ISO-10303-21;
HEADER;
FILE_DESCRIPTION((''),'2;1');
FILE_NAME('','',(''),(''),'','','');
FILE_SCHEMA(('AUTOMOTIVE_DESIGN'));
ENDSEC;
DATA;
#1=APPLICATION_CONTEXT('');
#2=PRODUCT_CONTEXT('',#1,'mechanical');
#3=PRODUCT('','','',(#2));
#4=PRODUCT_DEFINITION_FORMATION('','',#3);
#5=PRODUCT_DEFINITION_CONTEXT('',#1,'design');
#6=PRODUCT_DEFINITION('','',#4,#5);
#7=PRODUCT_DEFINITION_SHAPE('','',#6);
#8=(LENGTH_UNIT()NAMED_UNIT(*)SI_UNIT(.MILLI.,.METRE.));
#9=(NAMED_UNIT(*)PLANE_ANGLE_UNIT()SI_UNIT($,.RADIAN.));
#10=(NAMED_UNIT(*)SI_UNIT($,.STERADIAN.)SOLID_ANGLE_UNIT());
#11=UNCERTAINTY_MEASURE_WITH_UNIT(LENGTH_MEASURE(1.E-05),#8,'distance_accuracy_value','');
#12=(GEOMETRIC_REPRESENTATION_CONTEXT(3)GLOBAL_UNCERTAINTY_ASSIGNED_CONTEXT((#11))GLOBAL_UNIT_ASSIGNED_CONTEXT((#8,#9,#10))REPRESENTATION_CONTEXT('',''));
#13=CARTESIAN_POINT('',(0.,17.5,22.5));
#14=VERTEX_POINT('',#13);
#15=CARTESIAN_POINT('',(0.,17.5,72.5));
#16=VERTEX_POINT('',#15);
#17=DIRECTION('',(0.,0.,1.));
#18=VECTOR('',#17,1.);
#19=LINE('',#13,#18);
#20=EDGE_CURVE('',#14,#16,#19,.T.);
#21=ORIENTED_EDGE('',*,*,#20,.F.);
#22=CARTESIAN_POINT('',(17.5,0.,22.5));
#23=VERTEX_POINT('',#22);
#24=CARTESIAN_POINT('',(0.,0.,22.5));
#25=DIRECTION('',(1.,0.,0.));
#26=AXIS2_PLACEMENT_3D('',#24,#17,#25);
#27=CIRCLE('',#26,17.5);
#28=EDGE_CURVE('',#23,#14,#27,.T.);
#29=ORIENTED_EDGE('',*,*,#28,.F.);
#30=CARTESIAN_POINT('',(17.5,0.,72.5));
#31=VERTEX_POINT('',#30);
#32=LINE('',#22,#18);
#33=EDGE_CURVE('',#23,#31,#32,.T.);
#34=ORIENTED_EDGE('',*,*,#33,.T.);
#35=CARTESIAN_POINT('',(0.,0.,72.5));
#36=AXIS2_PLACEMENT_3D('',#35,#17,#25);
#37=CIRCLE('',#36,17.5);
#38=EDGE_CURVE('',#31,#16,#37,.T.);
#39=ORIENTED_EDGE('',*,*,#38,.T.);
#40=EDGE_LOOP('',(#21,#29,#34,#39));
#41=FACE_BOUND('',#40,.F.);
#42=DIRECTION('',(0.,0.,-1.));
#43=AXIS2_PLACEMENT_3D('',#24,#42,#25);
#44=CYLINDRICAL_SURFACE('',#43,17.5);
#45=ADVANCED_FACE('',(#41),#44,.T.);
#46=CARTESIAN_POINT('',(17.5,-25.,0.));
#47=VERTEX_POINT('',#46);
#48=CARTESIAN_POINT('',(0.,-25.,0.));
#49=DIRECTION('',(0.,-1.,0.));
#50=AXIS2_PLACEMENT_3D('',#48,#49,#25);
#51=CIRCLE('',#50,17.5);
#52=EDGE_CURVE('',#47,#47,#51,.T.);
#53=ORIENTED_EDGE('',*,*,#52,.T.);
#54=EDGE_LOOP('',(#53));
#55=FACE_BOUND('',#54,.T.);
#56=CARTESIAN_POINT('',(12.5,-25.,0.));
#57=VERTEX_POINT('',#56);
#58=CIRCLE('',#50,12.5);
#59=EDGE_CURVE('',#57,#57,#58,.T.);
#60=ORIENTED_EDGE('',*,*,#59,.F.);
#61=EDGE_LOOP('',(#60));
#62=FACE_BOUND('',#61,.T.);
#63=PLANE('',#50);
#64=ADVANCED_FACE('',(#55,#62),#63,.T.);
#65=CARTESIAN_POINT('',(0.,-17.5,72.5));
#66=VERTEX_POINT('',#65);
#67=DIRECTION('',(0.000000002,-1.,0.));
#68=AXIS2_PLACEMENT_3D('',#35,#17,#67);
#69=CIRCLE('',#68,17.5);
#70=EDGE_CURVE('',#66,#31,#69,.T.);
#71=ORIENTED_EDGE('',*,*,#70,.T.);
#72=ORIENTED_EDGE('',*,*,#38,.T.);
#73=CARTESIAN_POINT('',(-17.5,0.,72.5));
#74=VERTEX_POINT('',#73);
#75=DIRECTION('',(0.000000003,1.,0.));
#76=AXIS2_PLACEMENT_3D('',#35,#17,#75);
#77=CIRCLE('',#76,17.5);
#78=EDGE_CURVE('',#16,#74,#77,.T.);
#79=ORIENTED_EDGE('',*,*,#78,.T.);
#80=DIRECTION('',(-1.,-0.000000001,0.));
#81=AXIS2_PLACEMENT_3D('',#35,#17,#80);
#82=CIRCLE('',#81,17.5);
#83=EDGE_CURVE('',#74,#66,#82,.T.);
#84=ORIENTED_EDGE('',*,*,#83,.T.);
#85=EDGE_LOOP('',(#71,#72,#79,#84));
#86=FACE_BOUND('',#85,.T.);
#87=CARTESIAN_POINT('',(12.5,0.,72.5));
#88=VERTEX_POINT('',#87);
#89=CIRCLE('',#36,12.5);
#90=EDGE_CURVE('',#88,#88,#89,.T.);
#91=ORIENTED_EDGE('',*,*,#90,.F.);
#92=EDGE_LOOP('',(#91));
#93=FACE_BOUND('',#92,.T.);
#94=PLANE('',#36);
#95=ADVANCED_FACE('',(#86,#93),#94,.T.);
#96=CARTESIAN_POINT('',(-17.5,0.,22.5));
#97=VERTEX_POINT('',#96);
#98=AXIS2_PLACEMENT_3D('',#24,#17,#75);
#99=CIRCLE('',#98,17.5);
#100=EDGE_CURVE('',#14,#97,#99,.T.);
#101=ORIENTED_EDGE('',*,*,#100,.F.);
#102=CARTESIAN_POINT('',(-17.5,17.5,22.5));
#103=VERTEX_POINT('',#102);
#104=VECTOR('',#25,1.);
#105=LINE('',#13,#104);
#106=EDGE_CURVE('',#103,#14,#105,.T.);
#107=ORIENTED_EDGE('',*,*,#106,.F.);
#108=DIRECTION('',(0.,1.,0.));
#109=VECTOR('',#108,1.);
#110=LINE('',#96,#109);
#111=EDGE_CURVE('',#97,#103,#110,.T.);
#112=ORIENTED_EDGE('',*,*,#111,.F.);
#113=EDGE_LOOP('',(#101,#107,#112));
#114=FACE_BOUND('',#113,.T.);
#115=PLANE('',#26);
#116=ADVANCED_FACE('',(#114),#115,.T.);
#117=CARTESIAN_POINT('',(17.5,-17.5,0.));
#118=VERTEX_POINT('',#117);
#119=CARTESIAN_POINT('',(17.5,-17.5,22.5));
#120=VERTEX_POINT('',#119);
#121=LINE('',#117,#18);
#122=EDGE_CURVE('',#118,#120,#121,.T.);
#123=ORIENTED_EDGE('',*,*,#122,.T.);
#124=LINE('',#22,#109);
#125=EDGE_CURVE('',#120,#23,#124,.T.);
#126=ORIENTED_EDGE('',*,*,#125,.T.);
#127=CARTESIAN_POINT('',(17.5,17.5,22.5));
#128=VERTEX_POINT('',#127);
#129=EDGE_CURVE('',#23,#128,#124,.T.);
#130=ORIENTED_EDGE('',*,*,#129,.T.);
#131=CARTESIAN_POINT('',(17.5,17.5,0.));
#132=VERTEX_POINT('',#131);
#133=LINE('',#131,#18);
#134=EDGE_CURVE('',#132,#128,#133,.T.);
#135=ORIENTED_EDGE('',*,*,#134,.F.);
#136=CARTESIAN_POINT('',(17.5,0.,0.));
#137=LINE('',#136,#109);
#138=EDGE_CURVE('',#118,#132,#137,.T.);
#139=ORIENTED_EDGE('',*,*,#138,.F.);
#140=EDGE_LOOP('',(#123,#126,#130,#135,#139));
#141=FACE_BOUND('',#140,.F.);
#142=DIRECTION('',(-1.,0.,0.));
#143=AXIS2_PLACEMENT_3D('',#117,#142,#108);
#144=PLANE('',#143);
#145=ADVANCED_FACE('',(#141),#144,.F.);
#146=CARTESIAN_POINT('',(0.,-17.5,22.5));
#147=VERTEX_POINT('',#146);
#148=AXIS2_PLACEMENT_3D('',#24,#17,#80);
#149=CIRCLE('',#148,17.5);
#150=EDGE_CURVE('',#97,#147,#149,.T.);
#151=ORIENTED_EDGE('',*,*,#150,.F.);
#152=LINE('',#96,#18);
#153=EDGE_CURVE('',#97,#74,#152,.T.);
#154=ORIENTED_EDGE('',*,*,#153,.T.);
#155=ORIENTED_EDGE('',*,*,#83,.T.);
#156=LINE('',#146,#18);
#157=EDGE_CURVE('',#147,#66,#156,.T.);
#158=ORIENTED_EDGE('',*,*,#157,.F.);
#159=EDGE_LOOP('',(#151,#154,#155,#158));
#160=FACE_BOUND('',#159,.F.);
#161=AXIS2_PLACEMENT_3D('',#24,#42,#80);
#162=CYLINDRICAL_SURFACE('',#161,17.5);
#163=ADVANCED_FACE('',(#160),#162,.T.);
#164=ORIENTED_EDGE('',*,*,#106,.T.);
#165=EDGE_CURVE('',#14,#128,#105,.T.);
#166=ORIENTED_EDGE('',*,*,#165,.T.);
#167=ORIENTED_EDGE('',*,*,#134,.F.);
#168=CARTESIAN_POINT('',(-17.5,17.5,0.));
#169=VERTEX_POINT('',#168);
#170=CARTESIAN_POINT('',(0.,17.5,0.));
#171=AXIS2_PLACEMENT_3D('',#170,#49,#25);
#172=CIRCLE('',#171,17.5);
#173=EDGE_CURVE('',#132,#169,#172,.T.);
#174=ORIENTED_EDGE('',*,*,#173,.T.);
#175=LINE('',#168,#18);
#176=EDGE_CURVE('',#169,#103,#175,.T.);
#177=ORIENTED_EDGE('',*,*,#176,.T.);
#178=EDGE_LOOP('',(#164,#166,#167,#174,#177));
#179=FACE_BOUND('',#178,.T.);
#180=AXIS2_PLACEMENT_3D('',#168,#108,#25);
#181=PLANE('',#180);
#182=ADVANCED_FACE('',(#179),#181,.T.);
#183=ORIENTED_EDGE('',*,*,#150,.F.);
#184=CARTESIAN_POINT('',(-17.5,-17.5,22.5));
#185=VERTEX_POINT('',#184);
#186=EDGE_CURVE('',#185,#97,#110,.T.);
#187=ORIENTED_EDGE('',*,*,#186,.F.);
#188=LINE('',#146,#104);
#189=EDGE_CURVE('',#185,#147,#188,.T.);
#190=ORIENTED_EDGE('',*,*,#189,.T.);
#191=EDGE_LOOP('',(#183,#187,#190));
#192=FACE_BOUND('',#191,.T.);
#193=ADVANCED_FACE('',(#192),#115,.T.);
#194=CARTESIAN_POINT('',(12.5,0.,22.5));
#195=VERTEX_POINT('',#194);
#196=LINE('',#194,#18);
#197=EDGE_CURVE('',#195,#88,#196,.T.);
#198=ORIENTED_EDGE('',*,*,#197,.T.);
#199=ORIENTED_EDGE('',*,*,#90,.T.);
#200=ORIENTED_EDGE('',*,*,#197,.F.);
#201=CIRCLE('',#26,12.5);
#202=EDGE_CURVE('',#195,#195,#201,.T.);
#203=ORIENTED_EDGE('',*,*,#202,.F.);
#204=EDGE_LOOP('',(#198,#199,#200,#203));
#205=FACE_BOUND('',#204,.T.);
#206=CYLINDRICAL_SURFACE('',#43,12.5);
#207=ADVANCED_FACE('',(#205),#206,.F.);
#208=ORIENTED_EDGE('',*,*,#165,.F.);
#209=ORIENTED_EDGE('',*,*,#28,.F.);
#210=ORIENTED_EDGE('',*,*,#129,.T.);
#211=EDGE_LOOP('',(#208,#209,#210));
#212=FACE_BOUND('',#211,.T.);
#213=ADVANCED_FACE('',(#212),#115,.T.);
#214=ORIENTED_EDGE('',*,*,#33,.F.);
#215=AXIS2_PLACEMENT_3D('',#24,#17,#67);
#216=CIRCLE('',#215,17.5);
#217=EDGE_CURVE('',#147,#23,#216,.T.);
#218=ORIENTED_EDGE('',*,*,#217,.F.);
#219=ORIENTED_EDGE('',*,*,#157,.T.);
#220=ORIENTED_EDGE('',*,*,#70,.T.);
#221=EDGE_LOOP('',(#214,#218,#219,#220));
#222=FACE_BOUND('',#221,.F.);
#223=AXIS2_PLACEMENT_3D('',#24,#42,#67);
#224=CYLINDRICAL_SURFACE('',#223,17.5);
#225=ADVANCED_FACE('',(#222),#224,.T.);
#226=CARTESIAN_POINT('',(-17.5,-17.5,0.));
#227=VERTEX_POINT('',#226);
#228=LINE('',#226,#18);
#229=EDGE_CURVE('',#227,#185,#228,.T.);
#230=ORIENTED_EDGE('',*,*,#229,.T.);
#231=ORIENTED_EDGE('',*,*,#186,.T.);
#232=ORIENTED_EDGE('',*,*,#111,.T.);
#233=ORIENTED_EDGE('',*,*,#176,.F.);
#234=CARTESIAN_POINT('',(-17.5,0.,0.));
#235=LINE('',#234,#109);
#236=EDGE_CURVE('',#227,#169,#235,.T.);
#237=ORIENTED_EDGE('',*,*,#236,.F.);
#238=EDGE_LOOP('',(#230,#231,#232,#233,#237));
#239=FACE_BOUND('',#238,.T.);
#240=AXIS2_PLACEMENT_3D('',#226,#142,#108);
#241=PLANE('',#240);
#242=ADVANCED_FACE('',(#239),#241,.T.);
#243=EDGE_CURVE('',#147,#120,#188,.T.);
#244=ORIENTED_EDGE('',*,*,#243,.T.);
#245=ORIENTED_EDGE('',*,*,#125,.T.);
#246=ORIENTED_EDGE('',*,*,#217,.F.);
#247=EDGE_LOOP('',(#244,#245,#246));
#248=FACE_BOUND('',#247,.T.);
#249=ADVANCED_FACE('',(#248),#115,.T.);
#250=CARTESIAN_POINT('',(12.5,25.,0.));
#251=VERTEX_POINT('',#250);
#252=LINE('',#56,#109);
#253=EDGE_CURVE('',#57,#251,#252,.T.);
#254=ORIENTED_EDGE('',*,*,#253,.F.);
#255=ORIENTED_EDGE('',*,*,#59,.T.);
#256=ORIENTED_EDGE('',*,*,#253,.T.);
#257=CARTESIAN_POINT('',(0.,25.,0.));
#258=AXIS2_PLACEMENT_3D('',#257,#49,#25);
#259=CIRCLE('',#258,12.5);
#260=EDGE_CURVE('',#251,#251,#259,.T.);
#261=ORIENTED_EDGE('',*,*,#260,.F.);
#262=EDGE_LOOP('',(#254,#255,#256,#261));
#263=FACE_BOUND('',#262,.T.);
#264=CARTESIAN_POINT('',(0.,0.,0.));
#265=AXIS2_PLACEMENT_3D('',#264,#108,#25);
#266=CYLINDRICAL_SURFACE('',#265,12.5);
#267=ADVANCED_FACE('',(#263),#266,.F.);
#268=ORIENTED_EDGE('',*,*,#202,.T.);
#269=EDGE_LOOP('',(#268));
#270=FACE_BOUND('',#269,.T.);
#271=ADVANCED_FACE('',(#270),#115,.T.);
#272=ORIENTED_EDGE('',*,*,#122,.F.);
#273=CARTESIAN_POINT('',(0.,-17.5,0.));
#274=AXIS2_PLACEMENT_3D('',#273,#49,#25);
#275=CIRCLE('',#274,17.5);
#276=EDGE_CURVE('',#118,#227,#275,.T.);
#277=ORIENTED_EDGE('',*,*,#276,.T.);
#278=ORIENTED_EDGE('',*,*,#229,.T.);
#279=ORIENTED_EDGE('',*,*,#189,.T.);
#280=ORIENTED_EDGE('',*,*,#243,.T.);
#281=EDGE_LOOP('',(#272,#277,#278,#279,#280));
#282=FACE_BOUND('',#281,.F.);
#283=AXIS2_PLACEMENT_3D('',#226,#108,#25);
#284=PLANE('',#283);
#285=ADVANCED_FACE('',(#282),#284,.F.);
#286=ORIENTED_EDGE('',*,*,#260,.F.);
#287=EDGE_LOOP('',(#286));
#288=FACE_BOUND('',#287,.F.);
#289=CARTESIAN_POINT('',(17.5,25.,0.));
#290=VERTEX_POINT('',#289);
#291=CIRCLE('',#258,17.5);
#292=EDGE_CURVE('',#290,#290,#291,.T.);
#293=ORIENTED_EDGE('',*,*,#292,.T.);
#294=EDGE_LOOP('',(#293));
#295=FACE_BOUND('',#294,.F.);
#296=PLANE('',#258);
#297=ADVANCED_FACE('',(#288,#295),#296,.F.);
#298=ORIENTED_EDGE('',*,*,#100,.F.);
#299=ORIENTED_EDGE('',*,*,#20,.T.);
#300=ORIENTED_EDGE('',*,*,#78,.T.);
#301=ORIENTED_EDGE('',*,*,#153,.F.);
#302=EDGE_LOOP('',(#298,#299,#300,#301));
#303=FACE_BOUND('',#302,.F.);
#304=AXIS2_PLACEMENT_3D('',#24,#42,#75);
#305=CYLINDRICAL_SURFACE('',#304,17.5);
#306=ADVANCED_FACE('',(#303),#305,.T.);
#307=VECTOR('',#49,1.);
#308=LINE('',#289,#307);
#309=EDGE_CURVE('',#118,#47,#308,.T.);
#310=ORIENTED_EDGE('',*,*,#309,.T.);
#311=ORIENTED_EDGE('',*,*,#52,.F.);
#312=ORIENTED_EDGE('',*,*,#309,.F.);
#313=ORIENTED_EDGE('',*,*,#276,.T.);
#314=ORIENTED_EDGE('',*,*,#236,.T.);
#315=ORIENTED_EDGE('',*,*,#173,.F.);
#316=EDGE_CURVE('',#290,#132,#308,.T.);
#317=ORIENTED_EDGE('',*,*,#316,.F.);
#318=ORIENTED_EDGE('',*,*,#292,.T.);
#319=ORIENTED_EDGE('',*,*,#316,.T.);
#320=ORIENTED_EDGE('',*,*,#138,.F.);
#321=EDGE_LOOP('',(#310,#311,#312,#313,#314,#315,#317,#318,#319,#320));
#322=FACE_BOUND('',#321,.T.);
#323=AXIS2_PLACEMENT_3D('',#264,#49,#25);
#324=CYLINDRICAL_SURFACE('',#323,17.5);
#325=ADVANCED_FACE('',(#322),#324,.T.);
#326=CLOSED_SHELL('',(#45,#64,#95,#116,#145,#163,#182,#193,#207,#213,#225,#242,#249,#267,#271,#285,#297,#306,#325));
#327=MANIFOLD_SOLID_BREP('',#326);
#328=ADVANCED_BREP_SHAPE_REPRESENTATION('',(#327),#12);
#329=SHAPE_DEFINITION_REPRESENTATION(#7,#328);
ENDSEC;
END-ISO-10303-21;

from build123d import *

# Parameters (mm, degrees)
F0_R     = 17.5
F0_R_2   = 12.5
F1_DEPTH = 25
F2_W     = 35
F2_H     = 35
F3_DEPTH = 22.5
F4_R     = 12.5
F5_DEPTH = 50
F6_DEPTH = 35


with BuildPart() as f1:
    # F0 (on Front) → F1 (new body, symmetric)
    with BuildSketch(Plane.XZ):
        Circle(F0_R)
        Circle(F0_R_2, mode=Mode.SUBTRACT)
    extrude(amount=F1_DEPTH, both=True)

    # F2 (on Top) → F3 (join)
    with BuildSketch(Plane.XY):
        Rectangle(F2_W, F2_H)
    extrude(amount=F3_DEPTH)

    # F4 (on face) → F5 (join)
    with BuildSketch(Plane.XY.offset(22.5)):
        with BuildLine():
            ThreePointArc((3.33e-08, -17.5), (12.3743686825, -12.374368659), (17.5, 0))
            ThreePointArc((17.5, 0), (12.3743686917, 12.3743686498), (5.93e-08, 17.5))
            ThreePointArc((5.93e-08, 17.5), (-12.3743686571, 12.3743686844), (-17.5, -2.06e-08))
            ThreePointArc((-17.5, -2.06e-08), (-12.3743686517, -12.3743686898), (3.33e-08, -17.5))
        make_face()
        Circle(F4_R, mode=Mode.SUBTRACT)
    extrude(amount=F5_DEPTH)

    # F6 (cut, through all): a face of the model
    f6_faces = [f1.faces().sort_by_distance(p)[0] for p in [
        (0, -17.5, 5.3051647697),
    ]]
    extrude(f6_faces, amount=-F6_DEPTH, mode=Mode.SUBTRACT)


solid = f1.part
